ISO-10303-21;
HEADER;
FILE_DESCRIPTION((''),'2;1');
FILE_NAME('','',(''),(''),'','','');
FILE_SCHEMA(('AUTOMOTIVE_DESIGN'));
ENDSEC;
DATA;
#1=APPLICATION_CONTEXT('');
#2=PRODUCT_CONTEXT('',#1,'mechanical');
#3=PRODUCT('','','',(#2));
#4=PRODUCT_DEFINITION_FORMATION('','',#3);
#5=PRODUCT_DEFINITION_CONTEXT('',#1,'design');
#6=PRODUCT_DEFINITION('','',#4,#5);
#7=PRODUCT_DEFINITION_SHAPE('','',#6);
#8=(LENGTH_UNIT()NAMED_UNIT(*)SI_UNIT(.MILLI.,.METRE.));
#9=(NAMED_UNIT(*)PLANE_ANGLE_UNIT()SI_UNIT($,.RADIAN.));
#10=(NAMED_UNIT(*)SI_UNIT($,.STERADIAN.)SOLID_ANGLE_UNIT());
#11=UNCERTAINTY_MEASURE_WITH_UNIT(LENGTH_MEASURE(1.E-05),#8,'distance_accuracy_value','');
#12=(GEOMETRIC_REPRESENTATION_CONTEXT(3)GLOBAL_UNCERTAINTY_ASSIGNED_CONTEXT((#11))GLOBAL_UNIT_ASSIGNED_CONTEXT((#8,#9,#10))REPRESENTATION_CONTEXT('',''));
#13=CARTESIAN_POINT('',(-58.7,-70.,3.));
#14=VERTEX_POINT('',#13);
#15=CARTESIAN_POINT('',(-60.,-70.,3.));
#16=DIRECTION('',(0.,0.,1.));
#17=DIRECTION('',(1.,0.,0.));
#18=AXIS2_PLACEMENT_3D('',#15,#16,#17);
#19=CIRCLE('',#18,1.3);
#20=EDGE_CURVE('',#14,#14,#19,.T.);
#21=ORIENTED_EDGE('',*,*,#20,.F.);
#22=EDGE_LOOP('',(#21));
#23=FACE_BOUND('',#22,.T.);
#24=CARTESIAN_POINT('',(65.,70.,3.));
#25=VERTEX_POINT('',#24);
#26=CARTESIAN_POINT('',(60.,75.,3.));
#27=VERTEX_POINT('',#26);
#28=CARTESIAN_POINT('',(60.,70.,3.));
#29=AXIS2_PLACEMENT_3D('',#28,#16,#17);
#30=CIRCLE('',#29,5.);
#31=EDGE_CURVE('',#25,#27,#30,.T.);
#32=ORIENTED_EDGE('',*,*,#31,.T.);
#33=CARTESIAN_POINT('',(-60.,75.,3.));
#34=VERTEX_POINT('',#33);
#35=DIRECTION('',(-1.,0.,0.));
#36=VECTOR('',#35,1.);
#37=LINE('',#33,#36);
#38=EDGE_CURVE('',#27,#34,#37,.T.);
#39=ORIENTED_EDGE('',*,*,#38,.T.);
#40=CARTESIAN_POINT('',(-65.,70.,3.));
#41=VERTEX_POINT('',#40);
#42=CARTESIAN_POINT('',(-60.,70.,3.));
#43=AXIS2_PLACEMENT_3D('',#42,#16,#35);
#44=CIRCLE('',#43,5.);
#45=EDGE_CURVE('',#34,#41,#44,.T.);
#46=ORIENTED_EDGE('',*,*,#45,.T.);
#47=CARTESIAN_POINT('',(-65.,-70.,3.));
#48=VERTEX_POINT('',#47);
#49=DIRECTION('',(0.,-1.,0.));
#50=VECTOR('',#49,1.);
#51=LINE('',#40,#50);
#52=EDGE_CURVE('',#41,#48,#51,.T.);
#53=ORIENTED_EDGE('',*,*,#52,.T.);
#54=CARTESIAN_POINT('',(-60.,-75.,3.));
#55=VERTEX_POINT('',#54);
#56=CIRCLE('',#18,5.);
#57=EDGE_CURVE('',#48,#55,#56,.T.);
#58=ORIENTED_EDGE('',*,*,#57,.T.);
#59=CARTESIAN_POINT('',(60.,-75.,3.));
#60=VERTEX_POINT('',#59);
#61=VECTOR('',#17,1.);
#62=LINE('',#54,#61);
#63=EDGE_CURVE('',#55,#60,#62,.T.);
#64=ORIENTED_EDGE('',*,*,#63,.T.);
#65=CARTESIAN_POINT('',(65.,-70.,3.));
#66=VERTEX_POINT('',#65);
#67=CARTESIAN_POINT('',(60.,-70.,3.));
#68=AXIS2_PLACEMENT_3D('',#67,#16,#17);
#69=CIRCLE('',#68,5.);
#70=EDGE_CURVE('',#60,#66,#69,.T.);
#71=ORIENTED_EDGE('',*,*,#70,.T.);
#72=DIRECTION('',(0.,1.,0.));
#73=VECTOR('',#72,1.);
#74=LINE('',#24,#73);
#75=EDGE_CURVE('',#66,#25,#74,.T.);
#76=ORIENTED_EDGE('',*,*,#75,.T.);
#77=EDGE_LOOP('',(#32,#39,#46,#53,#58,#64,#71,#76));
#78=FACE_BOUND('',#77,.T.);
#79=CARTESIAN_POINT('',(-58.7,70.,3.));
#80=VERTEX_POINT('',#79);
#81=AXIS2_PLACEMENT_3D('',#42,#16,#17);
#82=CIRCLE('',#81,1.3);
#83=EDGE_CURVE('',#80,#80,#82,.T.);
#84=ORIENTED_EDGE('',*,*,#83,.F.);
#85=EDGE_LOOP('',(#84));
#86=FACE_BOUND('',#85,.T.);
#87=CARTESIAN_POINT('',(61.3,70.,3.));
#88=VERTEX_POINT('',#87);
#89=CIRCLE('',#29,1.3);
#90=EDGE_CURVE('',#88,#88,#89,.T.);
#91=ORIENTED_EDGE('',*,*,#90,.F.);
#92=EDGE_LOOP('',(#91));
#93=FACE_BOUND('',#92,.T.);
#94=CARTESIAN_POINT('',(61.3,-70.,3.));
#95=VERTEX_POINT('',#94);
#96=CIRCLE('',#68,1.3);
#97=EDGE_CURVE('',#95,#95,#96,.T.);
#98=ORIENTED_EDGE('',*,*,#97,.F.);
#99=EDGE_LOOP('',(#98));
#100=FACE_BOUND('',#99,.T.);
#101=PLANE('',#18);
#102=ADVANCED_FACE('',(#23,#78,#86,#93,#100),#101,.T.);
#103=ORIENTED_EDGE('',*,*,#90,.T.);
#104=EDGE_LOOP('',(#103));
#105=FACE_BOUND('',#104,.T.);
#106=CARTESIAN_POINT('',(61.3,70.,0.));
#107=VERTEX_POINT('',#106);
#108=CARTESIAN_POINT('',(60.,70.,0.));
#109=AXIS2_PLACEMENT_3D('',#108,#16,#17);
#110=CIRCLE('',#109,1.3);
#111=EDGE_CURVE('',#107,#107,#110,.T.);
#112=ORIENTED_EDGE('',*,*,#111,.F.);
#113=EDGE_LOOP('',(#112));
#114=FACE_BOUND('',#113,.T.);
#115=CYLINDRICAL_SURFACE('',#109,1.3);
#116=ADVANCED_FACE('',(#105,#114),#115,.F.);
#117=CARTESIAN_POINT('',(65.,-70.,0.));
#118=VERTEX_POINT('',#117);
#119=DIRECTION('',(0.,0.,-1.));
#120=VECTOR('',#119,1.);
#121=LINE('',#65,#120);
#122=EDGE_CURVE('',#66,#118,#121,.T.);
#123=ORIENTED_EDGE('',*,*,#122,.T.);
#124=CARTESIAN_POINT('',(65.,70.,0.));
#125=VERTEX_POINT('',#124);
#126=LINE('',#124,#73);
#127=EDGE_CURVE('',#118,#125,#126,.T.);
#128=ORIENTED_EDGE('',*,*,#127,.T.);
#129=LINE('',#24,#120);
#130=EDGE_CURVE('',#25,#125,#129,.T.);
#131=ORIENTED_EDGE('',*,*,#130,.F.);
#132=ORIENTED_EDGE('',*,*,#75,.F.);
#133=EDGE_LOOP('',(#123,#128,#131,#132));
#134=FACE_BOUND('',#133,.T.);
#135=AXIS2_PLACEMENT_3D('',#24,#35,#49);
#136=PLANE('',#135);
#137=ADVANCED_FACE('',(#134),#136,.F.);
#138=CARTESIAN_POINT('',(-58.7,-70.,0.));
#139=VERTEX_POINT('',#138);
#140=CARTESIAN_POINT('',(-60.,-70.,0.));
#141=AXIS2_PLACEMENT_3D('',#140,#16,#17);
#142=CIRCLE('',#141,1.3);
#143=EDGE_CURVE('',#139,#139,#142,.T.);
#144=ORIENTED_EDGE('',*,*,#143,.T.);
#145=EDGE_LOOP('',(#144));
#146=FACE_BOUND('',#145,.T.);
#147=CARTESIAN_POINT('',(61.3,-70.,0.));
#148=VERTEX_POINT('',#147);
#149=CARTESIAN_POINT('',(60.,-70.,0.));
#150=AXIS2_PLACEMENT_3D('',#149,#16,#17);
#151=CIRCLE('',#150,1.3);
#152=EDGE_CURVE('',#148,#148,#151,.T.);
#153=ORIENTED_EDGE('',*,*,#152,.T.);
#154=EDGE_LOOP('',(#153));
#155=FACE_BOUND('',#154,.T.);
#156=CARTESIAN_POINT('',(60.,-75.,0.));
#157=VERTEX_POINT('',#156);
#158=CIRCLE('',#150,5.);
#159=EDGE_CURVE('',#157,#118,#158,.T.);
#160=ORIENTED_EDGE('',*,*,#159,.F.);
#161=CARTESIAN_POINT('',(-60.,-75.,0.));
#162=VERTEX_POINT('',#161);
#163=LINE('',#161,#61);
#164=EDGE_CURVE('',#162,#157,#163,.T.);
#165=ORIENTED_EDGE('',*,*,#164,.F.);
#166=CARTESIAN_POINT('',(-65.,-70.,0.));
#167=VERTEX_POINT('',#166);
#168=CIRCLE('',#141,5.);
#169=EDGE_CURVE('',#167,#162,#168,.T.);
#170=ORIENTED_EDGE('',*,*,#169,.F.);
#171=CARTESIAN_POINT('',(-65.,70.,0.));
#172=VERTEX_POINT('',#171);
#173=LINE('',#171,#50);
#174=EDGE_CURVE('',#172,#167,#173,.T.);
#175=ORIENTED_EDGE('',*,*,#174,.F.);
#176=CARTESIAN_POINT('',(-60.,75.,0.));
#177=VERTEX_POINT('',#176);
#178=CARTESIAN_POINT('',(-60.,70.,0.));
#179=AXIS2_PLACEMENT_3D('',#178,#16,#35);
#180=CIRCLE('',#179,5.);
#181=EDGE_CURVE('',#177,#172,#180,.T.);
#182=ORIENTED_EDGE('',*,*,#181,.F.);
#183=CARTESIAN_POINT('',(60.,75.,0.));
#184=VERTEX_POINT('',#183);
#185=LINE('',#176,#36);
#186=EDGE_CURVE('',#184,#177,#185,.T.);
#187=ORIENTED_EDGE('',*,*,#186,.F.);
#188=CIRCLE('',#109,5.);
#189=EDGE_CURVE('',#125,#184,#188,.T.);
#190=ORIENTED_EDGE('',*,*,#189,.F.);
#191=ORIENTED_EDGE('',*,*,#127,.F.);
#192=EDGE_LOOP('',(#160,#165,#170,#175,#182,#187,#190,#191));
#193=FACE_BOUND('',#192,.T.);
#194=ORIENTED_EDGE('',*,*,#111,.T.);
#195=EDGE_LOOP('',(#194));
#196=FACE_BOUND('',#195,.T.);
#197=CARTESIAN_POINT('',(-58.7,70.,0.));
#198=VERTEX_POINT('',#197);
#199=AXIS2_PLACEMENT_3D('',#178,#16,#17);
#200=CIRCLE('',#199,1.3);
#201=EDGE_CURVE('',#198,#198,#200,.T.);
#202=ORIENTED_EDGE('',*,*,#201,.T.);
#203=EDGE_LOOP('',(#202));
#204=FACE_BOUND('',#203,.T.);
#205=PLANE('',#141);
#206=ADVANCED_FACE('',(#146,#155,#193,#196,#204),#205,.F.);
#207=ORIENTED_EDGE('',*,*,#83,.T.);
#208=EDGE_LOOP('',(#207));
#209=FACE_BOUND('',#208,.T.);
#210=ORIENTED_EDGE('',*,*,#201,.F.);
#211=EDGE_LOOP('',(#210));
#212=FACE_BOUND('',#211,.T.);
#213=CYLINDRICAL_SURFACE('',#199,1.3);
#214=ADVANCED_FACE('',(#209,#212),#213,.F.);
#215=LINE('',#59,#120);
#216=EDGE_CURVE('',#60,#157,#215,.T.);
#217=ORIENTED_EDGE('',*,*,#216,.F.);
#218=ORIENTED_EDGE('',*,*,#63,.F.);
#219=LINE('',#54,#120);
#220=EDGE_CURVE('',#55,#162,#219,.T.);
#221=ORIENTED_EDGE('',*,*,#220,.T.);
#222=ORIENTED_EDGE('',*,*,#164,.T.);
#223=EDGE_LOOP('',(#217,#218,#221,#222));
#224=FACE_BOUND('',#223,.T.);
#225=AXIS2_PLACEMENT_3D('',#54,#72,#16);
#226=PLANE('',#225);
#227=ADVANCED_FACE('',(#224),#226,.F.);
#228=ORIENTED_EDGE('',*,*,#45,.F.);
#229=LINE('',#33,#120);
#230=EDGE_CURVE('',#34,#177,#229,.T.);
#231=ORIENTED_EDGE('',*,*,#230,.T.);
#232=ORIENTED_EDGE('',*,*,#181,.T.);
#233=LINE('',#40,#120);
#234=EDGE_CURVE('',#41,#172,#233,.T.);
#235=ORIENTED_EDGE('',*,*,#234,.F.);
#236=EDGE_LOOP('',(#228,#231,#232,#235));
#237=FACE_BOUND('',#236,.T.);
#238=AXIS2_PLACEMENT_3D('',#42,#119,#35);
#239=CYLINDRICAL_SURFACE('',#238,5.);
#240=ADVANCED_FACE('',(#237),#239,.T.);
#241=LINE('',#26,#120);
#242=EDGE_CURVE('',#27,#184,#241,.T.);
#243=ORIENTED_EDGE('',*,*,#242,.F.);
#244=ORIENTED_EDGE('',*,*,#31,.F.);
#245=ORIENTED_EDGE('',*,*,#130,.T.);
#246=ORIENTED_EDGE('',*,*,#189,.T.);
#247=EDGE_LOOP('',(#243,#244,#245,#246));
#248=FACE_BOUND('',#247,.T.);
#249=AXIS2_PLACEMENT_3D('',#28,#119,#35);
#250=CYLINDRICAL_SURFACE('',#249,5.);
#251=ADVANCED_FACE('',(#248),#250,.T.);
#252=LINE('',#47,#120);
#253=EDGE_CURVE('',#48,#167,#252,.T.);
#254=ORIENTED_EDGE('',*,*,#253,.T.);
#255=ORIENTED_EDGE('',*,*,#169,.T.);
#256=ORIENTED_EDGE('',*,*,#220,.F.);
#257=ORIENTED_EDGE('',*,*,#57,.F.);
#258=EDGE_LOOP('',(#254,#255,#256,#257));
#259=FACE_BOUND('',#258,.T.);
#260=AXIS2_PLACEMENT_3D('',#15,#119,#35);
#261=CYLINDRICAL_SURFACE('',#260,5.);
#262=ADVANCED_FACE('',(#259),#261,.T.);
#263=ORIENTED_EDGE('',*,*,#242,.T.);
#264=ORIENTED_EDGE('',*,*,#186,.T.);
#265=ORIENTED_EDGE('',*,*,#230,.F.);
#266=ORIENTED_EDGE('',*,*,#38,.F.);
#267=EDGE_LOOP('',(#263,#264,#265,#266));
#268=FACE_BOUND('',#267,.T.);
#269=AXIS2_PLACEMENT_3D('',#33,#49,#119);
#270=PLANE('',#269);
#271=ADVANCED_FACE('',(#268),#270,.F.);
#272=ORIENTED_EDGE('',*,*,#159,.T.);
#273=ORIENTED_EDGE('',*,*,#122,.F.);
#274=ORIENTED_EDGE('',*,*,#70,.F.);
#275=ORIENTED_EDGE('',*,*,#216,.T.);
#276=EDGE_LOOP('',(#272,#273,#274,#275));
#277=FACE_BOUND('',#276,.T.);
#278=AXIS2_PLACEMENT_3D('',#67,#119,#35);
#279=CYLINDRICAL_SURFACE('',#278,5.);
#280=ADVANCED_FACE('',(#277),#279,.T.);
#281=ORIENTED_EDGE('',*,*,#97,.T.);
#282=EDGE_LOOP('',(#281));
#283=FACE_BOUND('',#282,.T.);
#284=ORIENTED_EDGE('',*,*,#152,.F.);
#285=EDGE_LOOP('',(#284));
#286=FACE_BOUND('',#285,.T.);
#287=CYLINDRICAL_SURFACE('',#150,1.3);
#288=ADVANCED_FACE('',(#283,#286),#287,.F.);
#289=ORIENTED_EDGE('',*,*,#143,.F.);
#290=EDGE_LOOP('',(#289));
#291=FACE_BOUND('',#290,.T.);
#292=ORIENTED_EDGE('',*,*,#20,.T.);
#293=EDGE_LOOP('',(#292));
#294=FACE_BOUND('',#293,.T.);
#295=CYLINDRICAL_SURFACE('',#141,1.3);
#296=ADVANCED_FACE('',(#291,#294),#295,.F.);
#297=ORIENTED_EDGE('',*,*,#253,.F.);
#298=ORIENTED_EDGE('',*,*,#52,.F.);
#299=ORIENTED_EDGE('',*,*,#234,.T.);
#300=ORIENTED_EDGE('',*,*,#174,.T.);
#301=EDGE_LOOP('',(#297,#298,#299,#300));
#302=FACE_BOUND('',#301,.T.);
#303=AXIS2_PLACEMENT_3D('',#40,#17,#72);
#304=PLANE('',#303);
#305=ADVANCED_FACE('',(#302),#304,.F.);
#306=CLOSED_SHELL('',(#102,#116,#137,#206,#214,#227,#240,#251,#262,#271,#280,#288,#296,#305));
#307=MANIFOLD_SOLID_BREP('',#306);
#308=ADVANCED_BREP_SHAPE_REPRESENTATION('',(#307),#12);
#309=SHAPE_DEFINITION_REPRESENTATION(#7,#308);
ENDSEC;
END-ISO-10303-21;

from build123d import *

# Parameters (mm, degrees)
EXTRUDE_3_DEPTH     = 3
SKETCH_2_R          = 1.3
CUT_EXTRUDE_1_DEPTH = 3


with BuildPart() as part:
    # ｽｹｯﾁ1 → ﾎﾞｽ - 押し出し3 (new body)
    with BuildSketch(Plane.XY):
        with BuildLine():
            Line((-60, 75), (60, 75))
            ThreePointArc((60, 75), (63.535533906, 73.535533906), (65, 70))
            Line((65, 70), (65, -70))
            ThreePointArc((65, -70), (63.535533906, -73.535533906), (60, -75))
            Line((60, -75), (-60, -75))
            ThreePointArc((-60, -75), (-63.535533906, -73.535533906), (-65, -70))
            Line((-65, -70), (-65, 70))
            ThreePointArc((-65, 70), (-63.535533906, 73.535533906), (-60, 75))
        make_face()
    extrude(amount=EXTRUDE_3_DEPTH)

    # ｽｹｯﾁ2 → ｶｯﾄ - 押し出し1 (cut)
    with BuildSketch(Plane.XY.offset(3)):
        with Locations((-60, 70)):
            Circle(SKETCH_2_R)
        with Locations((60, 70)):
            Circle(SKETCH_2_R)
        with Locations((60, -70)):
            Circle(SKETCH_2_R)
        with Locations((-60, -70)):
            Circle(SKETCH_2_R)
    extrude(amount=-CUT_EXTRUDE_1_DEPTH, mode=Mode.SUBTRACT)


solid = part.part
